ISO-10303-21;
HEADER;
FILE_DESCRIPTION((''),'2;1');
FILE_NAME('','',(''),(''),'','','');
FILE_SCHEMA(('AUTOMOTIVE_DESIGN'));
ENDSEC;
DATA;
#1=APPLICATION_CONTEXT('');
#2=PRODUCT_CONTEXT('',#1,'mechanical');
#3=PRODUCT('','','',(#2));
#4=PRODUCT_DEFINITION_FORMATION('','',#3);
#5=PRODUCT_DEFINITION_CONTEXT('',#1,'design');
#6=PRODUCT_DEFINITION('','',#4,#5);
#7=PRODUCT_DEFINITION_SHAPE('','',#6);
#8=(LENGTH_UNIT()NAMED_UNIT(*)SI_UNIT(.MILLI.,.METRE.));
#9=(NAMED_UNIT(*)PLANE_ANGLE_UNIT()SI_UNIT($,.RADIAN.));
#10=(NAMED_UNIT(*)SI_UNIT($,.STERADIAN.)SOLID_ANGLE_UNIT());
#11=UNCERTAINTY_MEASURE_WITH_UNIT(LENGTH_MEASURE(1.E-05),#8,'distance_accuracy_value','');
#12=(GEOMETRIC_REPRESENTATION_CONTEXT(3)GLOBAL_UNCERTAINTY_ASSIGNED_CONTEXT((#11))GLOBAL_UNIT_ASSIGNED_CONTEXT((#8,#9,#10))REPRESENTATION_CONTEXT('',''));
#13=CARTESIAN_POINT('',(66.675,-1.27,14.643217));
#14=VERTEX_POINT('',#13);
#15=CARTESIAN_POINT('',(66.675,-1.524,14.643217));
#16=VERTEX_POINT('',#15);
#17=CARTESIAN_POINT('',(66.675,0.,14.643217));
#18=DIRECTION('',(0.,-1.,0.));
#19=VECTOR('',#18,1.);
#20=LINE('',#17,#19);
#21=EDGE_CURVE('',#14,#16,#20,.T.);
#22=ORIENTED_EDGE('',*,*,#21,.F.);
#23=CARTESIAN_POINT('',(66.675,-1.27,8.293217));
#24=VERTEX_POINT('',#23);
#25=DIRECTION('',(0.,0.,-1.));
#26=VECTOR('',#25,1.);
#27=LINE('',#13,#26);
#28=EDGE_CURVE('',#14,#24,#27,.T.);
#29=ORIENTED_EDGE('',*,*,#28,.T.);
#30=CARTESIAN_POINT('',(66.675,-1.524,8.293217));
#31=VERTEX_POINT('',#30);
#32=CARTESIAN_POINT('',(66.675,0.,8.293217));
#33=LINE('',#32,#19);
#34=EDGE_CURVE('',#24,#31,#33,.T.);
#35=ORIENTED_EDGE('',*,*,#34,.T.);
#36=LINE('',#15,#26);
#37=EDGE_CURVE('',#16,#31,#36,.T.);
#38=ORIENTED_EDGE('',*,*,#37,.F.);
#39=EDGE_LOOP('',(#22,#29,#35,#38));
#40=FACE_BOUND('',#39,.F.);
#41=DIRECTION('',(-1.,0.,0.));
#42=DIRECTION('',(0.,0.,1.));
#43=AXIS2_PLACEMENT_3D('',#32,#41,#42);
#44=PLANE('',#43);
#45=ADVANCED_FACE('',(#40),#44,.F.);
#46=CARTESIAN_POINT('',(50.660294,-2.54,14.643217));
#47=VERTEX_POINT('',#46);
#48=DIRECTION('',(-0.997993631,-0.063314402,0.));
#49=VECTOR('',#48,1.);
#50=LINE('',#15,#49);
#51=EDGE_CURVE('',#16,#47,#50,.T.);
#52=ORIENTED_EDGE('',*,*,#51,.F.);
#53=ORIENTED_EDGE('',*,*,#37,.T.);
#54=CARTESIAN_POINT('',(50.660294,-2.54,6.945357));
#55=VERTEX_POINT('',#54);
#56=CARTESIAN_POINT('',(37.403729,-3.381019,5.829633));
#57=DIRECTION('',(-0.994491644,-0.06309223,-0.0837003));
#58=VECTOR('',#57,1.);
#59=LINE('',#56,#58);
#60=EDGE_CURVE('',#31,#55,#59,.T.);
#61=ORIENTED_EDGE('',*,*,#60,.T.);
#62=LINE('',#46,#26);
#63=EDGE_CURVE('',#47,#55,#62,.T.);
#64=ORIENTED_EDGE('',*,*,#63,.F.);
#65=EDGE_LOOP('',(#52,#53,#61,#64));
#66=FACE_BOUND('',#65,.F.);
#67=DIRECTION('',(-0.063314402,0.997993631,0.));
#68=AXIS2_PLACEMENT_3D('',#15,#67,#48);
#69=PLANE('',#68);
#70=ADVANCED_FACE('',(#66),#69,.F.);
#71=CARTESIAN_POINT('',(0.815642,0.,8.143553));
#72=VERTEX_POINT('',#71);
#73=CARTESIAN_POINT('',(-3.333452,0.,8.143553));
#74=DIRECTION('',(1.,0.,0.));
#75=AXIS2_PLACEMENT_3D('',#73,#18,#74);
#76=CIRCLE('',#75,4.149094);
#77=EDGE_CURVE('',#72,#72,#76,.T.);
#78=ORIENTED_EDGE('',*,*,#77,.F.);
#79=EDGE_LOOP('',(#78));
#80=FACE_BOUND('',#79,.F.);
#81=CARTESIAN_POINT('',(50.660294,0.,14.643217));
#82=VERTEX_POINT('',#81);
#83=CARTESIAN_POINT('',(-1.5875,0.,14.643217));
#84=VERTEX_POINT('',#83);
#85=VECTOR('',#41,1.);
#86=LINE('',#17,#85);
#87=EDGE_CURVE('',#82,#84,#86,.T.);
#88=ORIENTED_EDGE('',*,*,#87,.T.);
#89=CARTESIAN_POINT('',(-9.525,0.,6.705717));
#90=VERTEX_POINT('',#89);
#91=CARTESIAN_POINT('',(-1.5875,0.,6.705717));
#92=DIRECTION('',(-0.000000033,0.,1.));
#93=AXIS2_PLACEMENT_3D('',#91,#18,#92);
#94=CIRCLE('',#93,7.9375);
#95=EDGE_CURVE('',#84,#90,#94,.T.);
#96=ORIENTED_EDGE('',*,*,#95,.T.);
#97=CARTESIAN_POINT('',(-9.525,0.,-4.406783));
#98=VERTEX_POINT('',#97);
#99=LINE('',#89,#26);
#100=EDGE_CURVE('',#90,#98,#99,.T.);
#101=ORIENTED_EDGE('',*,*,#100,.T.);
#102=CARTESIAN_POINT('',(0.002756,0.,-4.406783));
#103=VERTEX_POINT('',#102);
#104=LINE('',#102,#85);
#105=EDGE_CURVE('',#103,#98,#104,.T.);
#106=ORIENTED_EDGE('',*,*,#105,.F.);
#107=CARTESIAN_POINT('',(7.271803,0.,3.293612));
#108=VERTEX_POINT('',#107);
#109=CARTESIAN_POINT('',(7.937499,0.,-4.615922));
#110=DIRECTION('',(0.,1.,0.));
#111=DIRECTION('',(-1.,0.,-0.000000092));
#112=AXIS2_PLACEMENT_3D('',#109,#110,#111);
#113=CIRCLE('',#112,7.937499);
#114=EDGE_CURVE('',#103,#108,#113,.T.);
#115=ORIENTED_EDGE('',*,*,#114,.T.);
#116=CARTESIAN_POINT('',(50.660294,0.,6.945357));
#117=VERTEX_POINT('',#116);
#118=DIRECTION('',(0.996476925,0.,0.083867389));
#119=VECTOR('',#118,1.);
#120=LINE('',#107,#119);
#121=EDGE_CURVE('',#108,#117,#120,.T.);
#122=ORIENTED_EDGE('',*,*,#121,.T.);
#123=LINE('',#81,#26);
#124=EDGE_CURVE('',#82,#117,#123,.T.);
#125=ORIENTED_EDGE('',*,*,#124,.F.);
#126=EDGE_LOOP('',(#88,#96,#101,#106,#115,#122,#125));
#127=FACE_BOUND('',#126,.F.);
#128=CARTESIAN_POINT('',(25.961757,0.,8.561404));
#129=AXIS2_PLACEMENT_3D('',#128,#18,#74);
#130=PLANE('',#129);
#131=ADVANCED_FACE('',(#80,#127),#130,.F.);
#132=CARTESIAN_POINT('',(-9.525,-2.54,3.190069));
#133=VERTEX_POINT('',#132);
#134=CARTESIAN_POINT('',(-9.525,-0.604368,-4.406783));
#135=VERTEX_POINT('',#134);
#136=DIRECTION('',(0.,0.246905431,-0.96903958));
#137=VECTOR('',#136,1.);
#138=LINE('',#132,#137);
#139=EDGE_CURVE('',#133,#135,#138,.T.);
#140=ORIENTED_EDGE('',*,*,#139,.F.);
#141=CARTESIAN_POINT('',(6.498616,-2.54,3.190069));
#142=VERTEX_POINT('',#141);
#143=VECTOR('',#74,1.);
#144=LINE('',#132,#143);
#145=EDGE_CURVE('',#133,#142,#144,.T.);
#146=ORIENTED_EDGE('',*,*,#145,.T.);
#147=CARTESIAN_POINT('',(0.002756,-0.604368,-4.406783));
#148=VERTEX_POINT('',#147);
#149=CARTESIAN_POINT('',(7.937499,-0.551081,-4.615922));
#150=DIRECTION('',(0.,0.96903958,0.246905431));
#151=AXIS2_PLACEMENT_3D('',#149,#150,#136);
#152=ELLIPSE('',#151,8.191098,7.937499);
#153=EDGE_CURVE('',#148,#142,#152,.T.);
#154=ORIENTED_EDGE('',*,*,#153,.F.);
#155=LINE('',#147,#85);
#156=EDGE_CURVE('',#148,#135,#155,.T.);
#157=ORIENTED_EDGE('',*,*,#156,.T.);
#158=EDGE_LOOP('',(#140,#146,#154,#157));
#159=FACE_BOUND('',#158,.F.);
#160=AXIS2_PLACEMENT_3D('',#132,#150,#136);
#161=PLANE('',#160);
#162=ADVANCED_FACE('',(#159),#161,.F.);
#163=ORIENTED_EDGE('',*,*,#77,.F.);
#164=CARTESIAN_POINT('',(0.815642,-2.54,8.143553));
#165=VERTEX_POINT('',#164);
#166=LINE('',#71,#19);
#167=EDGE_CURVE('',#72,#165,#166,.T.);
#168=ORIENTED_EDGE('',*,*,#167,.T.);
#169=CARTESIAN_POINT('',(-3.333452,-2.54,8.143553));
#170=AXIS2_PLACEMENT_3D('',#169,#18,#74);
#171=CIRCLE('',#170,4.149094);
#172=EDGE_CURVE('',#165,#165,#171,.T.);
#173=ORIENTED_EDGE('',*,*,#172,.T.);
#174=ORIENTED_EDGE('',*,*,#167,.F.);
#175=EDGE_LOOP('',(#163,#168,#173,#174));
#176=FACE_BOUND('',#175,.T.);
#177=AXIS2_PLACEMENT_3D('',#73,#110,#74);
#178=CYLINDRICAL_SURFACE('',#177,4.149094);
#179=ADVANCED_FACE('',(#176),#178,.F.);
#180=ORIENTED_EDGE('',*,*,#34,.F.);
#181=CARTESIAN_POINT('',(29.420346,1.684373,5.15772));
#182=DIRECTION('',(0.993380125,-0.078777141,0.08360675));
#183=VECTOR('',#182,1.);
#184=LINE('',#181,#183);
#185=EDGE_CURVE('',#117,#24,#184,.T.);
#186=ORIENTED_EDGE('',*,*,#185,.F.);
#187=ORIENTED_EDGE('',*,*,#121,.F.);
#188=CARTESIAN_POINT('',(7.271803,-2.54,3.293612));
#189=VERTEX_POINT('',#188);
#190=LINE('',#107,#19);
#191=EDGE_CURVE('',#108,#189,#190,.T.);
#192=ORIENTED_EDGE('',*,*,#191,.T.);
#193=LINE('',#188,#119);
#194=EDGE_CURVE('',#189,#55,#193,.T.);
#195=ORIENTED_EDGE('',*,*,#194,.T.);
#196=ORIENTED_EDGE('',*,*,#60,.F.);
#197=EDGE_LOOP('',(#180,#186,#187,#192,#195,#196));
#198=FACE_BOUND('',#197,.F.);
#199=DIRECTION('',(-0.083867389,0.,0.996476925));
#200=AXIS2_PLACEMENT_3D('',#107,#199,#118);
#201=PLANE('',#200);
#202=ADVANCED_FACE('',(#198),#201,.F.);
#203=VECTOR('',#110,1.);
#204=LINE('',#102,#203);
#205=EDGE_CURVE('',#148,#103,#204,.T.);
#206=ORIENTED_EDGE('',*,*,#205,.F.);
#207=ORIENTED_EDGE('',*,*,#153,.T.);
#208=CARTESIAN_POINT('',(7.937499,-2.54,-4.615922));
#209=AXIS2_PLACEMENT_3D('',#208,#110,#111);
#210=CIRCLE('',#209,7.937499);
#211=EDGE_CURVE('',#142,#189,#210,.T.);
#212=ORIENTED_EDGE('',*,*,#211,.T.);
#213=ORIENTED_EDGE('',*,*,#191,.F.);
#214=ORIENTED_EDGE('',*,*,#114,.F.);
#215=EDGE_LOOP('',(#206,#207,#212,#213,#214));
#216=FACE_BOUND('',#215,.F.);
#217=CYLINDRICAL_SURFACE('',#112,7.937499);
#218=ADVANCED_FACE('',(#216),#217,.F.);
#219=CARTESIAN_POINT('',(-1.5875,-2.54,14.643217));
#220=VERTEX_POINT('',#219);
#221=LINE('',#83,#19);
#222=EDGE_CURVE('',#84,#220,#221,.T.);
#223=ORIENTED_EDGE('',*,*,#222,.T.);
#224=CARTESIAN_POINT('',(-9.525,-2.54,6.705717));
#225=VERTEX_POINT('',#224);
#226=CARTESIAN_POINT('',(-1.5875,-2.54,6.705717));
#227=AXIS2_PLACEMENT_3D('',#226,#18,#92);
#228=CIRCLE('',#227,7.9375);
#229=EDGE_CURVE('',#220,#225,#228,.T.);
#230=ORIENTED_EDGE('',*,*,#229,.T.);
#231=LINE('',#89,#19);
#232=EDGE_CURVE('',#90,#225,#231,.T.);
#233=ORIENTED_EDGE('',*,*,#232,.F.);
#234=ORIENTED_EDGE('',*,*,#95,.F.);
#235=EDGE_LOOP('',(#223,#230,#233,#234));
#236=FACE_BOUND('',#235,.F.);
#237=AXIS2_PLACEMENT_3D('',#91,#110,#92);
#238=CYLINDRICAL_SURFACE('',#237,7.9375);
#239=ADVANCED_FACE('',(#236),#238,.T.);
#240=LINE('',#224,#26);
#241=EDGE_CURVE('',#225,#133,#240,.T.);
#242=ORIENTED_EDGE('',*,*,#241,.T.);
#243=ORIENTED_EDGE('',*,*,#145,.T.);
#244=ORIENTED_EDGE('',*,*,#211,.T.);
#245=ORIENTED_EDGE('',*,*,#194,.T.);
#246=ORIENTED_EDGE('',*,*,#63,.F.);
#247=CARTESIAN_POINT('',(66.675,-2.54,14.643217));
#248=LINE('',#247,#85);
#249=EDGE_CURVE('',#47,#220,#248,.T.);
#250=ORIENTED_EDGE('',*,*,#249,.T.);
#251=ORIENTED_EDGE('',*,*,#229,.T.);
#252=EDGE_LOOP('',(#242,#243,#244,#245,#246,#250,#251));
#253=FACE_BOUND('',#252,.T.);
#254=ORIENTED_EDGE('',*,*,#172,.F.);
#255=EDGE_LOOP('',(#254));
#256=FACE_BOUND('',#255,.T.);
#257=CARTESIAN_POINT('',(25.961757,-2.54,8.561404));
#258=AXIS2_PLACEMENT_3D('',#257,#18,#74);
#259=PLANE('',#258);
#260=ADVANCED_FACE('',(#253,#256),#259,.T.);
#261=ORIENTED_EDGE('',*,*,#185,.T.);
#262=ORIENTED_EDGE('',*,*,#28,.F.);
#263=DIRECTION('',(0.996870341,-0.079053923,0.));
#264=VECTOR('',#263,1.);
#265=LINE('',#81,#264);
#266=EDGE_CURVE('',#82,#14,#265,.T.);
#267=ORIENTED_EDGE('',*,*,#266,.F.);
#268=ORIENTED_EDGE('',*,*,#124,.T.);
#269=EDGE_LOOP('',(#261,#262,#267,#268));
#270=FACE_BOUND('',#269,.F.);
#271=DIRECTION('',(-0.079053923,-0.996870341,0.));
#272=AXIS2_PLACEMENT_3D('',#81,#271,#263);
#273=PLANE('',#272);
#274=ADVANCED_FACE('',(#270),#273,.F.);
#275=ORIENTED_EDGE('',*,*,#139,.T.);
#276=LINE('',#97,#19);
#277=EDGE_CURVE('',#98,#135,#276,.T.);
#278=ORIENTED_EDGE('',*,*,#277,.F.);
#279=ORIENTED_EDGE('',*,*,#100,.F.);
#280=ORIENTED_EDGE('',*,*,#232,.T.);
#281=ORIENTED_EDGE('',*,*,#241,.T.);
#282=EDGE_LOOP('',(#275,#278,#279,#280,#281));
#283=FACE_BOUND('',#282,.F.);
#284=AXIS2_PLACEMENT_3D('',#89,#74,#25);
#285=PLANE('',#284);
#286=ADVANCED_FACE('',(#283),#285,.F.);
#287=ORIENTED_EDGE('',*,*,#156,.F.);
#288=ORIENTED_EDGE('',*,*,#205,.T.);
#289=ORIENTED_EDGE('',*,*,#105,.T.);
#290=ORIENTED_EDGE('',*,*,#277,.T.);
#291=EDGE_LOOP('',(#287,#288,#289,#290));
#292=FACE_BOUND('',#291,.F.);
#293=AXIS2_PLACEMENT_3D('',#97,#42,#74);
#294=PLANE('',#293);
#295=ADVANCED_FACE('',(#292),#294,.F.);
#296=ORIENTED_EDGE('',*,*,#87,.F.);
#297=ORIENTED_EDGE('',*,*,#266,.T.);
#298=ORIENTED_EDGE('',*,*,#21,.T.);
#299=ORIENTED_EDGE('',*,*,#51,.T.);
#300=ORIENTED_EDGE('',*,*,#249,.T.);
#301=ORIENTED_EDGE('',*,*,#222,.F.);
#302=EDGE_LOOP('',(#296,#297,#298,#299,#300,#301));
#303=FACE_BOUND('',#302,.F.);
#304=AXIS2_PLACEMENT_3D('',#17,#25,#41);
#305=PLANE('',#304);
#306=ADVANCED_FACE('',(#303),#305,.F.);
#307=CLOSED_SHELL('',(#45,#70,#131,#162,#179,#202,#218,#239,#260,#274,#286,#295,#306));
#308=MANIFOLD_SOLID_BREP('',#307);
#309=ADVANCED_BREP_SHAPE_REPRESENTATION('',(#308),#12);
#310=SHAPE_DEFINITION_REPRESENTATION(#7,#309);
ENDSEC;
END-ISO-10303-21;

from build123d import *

# Parameters (mm, degrees)
F0_R     = 4.149094
F1_DEPTH = 2.54
F3_DEPTH = 25.4
F4_DEPTH = 25.4
F6_DEPTH = 25.4


with BuildPart() as f1:
    # F0 (on Front) → F1 (new body)
    with BuildSketch(Plane.XZ):
        with BuildLine():
            Line((-9.525, 6.705717), (-9.525, -4.406783))
            Line((-9.525, -4.406783), (0, -4.406783))
            Line((0, -4.406783), (0, -4.615923))
            ThreePointArc((0, -4.615923), (2.094218, 0.756224), (7.271803, 3.293612))
            Line((7.271803, 3.293612), (66.675, 8.293217))
            Line((66.675, 8.293217), (66.675, 14.643217))
            Line((66.675, 14.643217), (-1.5875, 14.643217))
            ThreePointArc((-1.5875, 14.643217), (-7.20016, 12.318377), (-9.525, 6.705717))
        make_face()
        with Locations((-3.333452, 8.143553)):
            Circle(F0_R, mode=Mode.SUBTRACT)
    extrude(amount=F1_DEPTH)

    # F2 (on face) → F3 (cut)
    with BuildSketch(Plane(origin=(-9.525, 0, 0), x_dir=(0, -1, 0), z_dir=(-1, 0, 0))):
        Polygon((2.54, -4.406783), (2.54, 3.190069), (0.604368, -4.406783), align=None)
    extrude(amount=-F3_DEPTH, mode=Mode.SUBTRACT)

    # F1_face (on face) → F4 (cut)
    with BuildSketch(Plane(origin=(-9.525, -1.27, 1.149467), x_dir=(0, -1, 0), z_dir=(-1, 0, 0))):
        Polygon((-0.665632, -5.55625), (-1.27, -5.55625), (-1.27, -5.76539), (1.27, -5.76539), (1.27, -5.55625), align=None)
    extrude(amount=-F4_DEPTH, mode=Mode.SUBTRACT)

    # F5 (on face) → F6 (cut)
    with BuildSketch(Plane.XY.offset(14.643217)):
        Polygon((66.675, 0), (50.660294, 0), (66.675, -1.27), align=None)
        Polygon((66.675, -1.524), (50.660294, -2.54), (66.675, -2.54), align=None)
    extrude(amount=-F6_DEPTH, mode=Mode.SUBTRACT)


solid = f1.part
